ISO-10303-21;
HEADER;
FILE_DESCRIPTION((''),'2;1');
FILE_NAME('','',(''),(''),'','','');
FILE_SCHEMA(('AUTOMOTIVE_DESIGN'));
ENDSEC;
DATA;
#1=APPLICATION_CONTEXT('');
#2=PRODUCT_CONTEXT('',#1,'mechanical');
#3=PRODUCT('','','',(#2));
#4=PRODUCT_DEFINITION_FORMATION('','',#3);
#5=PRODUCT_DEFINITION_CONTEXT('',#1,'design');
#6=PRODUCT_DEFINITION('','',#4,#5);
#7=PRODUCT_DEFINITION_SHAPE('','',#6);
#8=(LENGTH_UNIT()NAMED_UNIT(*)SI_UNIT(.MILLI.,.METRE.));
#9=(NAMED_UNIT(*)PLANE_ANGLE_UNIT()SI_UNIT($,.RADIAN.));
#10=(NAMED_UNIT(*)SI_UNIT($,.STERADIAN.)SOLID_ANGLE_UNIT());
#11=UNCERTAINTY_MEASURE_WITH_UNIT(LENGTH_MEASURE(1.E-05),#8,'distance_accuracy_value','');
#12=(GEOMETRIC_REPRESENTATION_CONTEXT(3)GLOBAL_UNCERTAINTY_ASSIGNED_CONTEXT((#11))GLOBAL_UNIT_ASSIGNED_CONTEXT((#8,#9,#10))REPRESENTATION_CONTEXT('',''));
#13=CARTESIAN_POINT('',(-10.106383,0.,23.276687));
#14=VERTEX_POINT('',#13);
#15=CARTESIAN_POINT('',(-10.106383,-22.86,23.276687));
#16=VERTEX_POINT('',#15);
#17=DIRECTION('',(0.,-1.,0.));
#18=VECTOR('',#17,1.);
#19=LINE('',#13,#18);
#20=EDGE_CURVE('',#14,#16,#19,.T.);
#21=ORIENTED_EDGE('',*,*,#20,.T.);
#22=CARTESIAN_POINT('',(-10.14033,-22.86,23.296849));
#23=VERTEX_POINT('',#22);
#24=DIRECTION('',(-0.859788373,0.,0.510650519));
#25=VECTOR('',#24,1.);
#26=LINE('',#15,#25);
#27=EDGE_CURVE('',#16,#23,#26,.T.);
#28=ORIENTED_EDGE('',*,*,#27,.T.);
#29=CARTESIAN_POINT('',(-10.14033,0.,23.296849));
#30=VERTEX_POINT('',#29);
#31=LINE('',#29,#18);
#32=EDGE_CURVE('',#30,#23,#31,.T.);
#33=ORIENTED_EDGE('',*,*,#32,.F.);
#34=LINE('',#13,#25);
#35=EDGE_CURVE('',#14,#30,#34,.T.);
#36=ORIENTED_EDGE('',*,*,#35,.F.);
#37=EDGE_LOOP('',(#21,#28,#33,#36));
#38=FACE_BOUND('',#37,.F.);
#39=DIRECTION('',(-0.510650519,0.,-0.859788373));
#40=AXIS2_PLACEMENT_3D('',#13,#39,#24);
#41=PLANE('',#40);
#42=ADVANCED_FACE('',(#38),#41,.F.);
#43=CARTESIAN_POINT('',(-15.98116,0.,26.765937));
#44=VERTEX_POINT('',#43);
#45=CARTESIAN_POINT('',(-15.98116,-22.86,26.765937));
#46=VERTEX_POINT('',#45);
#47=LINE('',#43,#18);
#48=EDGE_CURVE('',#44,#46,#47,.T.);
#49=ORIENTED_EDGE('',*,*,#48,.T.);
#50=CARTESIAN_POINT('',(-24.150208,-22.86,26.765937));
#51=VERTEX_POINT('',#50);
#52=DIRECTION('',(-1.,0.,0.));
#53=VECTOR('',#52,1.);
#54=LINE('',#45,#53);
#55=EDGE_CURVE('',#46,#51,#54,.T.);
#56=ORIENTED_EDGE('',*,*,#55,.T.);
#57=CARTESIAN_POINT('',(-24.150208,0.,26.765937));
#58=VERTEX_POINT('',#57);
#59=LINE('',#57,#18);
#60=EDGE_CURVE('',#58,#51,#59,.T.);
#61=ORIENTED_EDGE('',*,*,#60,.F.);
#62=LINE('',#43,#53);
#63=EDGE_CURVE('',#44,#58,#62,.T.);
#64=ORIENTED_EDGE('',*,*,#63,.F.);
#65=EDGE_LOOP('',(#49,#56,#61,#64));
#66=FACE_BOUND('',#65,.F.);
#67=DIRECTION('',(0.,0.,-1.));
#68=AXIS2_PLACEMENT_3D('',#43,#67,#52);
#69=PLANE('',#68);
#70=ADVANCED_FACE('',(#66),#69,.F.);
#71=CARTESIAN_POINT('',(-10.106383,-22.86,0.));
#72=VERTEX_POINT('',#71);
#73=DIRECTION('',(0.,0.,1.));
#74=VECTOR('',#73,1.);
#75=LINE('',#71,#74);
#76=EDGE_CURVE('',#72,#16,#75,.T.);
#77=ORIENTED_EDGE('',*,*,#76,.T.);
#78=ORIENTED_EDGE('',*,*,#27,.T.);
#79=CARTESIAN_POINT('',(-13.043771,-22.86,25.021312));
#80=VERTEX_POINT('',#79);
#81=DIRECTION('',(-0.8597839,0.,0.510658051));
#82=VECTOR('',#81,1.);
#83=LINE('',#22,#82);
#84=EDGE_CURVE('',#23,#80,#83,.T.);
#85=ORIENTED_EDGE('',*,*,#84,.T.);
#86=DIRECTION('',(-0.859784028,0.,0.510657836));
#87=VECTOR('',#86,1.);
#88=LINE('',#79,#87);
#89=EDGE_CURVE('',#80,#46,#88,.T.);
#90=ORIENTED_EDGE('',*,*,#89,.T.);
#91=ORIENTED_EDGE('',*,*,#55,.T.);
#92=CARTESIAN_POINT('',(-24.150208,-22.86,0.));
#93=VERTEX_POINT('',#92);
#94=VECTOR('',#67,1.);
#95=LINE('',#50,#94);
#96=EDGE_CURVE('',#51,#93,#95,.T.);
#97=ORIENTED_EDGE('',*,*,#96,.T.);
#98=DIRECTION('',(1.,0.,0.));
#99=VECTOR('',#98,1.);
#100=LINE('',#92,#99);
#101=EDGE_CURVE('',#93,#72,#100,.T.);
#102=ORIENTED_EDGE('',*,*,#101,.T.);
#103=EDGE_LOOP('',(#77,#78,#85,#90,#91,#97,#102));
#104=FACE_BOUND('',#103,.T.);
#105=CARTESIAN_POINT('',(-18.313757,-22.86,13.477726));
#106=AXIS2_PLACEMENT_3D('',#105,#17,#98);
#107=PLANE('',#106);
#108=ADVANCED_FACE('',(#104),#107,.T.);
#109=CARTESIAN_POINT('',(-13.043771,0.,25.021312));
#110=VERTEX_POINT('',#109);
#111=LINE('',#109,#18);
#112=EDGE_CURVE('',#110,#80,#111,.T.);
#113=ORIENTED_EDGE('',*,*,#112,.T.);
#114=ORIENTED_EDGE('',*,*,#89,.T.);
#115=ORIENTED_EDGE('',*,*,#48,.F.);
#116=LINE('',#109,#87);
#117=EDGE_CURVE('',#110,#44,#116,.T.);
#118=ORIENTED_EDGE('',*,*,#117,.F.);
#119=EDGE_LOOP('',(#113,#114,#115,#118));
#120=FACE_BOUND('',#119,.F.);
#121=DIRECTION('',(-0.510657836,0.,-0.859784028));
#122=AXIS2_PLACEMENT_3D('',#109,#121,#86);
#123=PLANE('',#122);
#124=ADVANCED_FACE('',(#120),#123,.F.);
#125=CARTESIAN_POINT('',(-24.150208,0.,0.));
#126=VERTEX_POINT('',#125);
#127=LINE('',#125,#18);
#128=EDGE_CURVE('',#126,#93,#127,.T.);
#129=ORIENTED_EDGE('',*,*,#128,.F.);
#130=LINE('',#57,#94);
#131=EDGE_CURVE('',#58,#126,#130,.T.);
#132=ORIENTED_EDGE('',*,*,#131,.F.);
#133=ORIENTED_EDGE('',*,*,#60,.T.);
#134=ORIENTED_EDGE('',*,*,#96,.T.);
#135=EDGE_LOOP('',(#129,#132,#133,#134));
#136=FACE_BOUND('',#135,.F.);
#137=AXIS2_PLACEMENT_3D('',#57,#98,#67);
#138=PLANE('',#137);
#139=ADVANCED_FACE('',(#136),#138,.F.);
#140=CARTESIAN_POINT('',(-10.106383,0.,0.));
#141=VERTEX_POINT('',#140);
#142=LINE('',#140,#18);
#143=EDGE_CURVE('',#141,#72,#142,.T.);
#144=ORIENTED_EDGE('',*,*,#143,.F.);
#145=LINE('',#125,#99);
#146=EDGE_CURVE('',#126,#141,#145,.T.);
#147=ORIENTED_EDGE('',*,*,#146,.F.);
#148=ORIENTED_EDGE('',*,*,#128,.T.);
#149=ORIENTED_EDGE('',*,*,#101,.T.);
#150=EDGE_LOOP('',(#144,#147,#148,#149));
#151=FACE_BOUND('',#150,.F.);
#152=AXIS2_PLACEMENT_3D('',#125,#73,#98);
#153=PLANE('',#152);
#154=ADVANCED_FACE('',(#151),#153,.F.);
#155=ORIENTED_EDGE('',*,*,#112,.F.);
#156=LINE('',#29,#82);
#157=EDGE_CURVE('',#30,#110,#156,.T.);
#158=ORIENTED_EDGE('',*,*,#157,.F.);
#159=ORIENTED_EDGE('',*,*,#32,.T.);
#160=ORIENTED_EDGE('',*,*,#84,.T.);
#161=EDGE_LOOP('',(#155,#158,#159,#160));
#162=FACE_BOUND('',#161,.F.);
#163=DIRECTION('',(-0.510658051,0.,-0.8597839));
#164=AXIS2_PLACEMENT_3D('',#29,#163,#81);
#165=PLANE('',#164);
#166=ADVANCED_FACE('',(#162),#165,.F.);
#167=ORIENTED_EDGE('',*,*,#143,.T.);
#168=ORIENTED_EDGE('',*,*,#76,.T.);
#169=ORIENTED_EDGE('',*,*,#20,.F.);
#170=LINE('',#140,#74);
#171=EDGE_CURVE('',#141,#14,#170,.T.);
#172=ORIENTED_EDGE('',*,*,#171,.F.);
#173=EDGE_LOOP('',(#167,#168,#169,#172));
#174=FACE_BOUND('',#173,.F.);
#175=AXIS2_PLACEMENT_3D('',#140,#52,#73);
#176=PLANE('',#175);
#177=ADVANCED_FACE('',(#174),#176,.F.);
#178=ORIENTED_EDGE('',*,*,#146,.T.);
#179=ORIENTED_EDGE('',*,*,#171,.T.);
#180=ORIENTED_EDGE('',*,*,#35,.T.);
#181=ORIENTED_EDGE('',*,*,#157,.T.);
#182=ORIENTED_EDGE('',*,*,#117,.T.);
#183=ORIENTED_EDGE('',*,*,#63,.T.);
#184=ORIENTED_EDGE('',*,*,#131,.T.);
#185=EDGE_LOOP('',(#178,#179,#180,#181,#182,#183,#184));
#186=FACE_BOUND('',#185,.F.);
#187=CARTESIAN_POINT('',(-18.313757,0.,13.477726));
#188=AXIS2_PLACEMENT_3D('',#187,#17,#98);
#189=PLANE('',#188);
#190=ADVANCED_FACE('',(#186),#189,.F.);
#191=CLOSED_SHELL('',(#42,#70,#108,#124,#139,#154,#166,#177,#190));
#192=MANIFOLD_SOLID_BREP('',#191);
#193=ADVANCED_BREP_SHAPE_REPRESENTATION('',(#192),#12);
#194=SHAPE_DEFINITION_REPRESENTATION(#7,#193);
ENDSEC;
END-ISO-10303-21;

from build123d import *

# Parameters (mm, degrees)
F1_DEPTH = 22.86


with BuildPart() as f1:
    # F0 (on Front) → F1 (new body)
    with BuildSketch(Plane.XZ):
        Polygon((-24.150208, 26.765937), (-24.150208, 0), (-15.98116, 0), (-12.918395, 0), (-12.918395, 11.576809), (-12.918395, 20.449242), (-10.14033, 23.296849), (-13.043771, 25.021312), (-15.98116, 26.765937), align=None)
        Polygon((-12.918395, 11.576809), (-12.918395, 0), (-10.106383, 0), (-10.106383, 23.276687), (-10.14033, 23.296849), (-12.918395, 20.449242), align=None)
    extrude(amount=F1_DEPTH)


solid = f1.part
